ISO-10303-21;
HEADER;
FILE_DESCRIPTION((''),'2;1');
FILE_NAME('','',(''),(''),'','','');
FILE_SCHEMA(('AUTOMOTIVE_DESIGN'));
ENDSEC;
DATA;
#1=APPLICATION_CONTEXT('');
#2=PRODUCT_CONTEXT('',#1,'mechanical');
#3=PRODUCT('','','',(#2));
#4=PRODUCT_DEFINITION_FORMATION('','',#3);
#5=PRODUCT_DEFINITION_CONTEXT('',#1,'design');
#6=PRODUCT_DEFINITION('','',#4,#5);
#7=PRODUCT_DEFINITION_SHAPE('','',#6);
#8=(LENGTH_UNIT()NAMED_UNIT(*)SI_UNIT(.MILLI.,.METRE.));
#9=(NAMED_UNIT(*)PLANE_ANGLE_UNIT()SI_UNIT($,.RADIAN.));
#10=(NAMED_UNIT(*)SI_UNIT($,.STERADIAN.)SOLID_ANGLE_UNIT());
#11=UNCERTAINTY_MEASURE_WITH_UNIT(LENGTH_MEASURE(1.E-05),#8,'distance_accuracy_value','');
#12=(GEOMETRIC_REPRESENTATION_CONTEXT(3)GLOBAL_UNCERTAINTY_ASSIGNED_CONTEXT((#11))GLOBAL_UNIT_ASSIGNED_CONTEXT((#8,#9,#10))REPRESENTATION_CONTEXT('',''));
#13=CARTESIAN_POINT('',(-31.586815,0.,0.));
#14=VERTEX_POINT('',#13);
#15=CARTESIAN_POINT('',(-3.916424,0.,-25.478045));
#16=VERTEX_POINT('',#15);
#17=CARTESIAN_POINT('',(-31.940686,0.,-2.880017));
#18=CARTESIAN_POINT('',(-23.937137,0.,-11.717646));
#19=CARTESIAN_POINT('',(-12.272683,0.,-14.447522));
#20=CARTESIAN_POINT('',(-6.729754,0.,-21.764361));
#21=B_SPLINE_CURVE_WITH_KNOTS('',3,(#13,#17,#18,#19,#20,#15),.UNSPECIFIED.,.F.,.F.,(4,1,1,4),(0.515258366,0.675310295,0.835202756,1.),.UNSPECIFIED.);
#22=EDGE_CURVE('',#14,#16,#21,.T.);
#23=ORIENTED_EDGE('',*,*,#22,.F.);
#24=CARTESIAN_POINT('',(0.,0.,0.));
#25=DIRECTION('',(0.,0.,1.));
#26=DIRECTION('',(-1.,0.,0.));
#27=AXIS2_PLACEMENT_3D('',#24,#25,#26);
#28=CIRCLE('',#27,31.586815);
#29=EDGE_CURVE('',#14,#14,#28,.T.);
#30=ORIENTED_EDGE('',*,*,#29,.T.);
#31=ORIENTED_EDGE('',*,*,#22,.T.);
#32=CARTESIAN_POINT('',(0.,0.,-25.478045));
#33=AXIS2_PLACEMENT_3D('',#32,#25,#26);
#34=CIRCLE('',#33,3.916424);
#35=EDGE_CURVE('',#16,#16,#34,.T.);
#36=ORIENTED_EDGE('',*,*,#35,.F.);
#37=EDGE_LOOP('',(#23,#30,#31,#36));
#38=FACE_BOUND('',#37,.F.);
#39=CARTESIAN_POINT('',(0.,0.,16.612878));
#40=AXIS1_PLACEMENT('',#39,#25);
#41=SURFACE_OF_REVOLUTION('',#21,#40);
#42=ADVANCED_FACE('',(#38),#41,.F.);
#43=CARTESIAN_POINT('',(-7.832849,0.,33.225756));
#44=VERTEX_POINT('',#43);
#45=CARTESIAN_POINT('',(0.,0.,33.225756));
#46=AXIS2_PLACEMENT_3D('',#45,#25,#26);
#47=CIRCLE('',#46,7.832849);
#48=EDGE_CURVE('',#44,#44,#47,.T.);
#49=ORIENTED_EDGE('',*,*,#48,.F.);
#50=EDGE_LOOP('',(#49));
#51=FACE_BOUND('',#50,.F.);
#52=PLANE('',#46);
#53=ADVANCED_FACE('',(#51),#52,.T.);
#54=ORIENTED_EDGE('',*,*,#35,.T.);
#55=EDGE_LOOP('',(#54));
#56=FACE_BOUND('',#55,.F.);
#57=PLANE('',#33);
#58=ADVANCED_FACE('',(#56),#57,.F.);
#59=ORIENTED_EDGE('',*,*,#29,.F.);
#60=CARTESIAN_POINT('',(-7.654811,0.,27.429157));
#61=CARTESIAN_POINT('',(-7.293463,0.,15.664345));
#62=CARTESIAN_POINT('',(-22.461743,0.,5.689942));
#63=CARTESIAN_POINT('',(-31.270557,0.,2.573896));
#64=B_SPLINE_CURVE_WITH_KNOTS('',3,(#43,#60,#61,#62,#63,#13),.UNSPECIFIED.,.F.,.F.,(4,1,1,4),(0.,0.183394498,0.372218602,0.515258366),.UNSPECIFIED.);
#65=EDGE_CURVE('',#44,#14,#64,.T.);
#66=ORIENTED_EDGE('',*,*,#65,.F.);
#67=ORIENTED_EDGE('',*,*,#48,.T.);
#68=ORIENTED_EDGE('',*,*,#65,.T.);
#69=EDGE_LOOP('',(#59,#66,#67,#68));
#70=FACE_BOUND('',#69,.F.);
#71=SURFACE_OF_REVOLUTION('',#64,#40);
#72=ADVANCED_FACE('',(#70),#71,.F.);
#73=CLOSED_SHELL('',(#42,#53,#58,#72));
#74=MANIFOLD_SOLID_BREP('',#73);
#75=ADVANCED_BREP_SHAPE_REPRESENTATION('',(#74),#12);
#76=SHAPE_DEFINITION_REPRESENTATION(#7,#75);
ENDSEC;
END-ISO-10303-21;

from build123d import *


with BuildPart() as f1:
    # F0 (on Front) → F1 (revolve)
    with BuildSketch(Plane.XZ):
        with BuildLine():
            Line((-31.5868146718, 0), (0, 0))
            Line((0, 0), (0, 33.2257561386))
            Line((0, 33.2257561386), (-7.8328493983, 33.2257561386))
            add(Edge.make_bspline(
                [(-7.8328493983, 33.2257561386), (-7.65481087, 27.4291572939), (-7.2934627774, 15.6643446072), (-22.4617432273, 5.6899415356), (-31.2705570128, 2.5738956582), (-31.5868146718, 0)],
                knots=[0, 0, 0, 0, 0.1833944981, 0.3722186019, 0.5152583655, 0.5152583655, 0.5152583655, 0.5152583655], degree=3))
        make_face()
        with BuildLine():
            Line((0, -25.4780445248), (0, 0))
            Line((0, 0), (-31.5868146718, 0))
            add(Edge.make_bspline(
                [(-31.5868146718, 0), (-31.9406858426, -2.8800171131), (-23.9371365462, -11.7176462371), (-12.2726829397, -14.4475224475), (-6.7297541004, -21.7643609607), (-3.9164237678, -25.4780445248)],
                knots=[0.5152583655, 0.5152583655, 0.5152583655, 0.5152583655, 0.6753102953, 0.8352027563, 1, 1, 1, 1], degree=3))
            Line((-3.9164237678, -25.4780445248), (0, -25.4780445248))
        make_face()
    revolve(axis=Axis((0, 0, 16.6128780693), (0, 0, 1)))


solid = f1.part
